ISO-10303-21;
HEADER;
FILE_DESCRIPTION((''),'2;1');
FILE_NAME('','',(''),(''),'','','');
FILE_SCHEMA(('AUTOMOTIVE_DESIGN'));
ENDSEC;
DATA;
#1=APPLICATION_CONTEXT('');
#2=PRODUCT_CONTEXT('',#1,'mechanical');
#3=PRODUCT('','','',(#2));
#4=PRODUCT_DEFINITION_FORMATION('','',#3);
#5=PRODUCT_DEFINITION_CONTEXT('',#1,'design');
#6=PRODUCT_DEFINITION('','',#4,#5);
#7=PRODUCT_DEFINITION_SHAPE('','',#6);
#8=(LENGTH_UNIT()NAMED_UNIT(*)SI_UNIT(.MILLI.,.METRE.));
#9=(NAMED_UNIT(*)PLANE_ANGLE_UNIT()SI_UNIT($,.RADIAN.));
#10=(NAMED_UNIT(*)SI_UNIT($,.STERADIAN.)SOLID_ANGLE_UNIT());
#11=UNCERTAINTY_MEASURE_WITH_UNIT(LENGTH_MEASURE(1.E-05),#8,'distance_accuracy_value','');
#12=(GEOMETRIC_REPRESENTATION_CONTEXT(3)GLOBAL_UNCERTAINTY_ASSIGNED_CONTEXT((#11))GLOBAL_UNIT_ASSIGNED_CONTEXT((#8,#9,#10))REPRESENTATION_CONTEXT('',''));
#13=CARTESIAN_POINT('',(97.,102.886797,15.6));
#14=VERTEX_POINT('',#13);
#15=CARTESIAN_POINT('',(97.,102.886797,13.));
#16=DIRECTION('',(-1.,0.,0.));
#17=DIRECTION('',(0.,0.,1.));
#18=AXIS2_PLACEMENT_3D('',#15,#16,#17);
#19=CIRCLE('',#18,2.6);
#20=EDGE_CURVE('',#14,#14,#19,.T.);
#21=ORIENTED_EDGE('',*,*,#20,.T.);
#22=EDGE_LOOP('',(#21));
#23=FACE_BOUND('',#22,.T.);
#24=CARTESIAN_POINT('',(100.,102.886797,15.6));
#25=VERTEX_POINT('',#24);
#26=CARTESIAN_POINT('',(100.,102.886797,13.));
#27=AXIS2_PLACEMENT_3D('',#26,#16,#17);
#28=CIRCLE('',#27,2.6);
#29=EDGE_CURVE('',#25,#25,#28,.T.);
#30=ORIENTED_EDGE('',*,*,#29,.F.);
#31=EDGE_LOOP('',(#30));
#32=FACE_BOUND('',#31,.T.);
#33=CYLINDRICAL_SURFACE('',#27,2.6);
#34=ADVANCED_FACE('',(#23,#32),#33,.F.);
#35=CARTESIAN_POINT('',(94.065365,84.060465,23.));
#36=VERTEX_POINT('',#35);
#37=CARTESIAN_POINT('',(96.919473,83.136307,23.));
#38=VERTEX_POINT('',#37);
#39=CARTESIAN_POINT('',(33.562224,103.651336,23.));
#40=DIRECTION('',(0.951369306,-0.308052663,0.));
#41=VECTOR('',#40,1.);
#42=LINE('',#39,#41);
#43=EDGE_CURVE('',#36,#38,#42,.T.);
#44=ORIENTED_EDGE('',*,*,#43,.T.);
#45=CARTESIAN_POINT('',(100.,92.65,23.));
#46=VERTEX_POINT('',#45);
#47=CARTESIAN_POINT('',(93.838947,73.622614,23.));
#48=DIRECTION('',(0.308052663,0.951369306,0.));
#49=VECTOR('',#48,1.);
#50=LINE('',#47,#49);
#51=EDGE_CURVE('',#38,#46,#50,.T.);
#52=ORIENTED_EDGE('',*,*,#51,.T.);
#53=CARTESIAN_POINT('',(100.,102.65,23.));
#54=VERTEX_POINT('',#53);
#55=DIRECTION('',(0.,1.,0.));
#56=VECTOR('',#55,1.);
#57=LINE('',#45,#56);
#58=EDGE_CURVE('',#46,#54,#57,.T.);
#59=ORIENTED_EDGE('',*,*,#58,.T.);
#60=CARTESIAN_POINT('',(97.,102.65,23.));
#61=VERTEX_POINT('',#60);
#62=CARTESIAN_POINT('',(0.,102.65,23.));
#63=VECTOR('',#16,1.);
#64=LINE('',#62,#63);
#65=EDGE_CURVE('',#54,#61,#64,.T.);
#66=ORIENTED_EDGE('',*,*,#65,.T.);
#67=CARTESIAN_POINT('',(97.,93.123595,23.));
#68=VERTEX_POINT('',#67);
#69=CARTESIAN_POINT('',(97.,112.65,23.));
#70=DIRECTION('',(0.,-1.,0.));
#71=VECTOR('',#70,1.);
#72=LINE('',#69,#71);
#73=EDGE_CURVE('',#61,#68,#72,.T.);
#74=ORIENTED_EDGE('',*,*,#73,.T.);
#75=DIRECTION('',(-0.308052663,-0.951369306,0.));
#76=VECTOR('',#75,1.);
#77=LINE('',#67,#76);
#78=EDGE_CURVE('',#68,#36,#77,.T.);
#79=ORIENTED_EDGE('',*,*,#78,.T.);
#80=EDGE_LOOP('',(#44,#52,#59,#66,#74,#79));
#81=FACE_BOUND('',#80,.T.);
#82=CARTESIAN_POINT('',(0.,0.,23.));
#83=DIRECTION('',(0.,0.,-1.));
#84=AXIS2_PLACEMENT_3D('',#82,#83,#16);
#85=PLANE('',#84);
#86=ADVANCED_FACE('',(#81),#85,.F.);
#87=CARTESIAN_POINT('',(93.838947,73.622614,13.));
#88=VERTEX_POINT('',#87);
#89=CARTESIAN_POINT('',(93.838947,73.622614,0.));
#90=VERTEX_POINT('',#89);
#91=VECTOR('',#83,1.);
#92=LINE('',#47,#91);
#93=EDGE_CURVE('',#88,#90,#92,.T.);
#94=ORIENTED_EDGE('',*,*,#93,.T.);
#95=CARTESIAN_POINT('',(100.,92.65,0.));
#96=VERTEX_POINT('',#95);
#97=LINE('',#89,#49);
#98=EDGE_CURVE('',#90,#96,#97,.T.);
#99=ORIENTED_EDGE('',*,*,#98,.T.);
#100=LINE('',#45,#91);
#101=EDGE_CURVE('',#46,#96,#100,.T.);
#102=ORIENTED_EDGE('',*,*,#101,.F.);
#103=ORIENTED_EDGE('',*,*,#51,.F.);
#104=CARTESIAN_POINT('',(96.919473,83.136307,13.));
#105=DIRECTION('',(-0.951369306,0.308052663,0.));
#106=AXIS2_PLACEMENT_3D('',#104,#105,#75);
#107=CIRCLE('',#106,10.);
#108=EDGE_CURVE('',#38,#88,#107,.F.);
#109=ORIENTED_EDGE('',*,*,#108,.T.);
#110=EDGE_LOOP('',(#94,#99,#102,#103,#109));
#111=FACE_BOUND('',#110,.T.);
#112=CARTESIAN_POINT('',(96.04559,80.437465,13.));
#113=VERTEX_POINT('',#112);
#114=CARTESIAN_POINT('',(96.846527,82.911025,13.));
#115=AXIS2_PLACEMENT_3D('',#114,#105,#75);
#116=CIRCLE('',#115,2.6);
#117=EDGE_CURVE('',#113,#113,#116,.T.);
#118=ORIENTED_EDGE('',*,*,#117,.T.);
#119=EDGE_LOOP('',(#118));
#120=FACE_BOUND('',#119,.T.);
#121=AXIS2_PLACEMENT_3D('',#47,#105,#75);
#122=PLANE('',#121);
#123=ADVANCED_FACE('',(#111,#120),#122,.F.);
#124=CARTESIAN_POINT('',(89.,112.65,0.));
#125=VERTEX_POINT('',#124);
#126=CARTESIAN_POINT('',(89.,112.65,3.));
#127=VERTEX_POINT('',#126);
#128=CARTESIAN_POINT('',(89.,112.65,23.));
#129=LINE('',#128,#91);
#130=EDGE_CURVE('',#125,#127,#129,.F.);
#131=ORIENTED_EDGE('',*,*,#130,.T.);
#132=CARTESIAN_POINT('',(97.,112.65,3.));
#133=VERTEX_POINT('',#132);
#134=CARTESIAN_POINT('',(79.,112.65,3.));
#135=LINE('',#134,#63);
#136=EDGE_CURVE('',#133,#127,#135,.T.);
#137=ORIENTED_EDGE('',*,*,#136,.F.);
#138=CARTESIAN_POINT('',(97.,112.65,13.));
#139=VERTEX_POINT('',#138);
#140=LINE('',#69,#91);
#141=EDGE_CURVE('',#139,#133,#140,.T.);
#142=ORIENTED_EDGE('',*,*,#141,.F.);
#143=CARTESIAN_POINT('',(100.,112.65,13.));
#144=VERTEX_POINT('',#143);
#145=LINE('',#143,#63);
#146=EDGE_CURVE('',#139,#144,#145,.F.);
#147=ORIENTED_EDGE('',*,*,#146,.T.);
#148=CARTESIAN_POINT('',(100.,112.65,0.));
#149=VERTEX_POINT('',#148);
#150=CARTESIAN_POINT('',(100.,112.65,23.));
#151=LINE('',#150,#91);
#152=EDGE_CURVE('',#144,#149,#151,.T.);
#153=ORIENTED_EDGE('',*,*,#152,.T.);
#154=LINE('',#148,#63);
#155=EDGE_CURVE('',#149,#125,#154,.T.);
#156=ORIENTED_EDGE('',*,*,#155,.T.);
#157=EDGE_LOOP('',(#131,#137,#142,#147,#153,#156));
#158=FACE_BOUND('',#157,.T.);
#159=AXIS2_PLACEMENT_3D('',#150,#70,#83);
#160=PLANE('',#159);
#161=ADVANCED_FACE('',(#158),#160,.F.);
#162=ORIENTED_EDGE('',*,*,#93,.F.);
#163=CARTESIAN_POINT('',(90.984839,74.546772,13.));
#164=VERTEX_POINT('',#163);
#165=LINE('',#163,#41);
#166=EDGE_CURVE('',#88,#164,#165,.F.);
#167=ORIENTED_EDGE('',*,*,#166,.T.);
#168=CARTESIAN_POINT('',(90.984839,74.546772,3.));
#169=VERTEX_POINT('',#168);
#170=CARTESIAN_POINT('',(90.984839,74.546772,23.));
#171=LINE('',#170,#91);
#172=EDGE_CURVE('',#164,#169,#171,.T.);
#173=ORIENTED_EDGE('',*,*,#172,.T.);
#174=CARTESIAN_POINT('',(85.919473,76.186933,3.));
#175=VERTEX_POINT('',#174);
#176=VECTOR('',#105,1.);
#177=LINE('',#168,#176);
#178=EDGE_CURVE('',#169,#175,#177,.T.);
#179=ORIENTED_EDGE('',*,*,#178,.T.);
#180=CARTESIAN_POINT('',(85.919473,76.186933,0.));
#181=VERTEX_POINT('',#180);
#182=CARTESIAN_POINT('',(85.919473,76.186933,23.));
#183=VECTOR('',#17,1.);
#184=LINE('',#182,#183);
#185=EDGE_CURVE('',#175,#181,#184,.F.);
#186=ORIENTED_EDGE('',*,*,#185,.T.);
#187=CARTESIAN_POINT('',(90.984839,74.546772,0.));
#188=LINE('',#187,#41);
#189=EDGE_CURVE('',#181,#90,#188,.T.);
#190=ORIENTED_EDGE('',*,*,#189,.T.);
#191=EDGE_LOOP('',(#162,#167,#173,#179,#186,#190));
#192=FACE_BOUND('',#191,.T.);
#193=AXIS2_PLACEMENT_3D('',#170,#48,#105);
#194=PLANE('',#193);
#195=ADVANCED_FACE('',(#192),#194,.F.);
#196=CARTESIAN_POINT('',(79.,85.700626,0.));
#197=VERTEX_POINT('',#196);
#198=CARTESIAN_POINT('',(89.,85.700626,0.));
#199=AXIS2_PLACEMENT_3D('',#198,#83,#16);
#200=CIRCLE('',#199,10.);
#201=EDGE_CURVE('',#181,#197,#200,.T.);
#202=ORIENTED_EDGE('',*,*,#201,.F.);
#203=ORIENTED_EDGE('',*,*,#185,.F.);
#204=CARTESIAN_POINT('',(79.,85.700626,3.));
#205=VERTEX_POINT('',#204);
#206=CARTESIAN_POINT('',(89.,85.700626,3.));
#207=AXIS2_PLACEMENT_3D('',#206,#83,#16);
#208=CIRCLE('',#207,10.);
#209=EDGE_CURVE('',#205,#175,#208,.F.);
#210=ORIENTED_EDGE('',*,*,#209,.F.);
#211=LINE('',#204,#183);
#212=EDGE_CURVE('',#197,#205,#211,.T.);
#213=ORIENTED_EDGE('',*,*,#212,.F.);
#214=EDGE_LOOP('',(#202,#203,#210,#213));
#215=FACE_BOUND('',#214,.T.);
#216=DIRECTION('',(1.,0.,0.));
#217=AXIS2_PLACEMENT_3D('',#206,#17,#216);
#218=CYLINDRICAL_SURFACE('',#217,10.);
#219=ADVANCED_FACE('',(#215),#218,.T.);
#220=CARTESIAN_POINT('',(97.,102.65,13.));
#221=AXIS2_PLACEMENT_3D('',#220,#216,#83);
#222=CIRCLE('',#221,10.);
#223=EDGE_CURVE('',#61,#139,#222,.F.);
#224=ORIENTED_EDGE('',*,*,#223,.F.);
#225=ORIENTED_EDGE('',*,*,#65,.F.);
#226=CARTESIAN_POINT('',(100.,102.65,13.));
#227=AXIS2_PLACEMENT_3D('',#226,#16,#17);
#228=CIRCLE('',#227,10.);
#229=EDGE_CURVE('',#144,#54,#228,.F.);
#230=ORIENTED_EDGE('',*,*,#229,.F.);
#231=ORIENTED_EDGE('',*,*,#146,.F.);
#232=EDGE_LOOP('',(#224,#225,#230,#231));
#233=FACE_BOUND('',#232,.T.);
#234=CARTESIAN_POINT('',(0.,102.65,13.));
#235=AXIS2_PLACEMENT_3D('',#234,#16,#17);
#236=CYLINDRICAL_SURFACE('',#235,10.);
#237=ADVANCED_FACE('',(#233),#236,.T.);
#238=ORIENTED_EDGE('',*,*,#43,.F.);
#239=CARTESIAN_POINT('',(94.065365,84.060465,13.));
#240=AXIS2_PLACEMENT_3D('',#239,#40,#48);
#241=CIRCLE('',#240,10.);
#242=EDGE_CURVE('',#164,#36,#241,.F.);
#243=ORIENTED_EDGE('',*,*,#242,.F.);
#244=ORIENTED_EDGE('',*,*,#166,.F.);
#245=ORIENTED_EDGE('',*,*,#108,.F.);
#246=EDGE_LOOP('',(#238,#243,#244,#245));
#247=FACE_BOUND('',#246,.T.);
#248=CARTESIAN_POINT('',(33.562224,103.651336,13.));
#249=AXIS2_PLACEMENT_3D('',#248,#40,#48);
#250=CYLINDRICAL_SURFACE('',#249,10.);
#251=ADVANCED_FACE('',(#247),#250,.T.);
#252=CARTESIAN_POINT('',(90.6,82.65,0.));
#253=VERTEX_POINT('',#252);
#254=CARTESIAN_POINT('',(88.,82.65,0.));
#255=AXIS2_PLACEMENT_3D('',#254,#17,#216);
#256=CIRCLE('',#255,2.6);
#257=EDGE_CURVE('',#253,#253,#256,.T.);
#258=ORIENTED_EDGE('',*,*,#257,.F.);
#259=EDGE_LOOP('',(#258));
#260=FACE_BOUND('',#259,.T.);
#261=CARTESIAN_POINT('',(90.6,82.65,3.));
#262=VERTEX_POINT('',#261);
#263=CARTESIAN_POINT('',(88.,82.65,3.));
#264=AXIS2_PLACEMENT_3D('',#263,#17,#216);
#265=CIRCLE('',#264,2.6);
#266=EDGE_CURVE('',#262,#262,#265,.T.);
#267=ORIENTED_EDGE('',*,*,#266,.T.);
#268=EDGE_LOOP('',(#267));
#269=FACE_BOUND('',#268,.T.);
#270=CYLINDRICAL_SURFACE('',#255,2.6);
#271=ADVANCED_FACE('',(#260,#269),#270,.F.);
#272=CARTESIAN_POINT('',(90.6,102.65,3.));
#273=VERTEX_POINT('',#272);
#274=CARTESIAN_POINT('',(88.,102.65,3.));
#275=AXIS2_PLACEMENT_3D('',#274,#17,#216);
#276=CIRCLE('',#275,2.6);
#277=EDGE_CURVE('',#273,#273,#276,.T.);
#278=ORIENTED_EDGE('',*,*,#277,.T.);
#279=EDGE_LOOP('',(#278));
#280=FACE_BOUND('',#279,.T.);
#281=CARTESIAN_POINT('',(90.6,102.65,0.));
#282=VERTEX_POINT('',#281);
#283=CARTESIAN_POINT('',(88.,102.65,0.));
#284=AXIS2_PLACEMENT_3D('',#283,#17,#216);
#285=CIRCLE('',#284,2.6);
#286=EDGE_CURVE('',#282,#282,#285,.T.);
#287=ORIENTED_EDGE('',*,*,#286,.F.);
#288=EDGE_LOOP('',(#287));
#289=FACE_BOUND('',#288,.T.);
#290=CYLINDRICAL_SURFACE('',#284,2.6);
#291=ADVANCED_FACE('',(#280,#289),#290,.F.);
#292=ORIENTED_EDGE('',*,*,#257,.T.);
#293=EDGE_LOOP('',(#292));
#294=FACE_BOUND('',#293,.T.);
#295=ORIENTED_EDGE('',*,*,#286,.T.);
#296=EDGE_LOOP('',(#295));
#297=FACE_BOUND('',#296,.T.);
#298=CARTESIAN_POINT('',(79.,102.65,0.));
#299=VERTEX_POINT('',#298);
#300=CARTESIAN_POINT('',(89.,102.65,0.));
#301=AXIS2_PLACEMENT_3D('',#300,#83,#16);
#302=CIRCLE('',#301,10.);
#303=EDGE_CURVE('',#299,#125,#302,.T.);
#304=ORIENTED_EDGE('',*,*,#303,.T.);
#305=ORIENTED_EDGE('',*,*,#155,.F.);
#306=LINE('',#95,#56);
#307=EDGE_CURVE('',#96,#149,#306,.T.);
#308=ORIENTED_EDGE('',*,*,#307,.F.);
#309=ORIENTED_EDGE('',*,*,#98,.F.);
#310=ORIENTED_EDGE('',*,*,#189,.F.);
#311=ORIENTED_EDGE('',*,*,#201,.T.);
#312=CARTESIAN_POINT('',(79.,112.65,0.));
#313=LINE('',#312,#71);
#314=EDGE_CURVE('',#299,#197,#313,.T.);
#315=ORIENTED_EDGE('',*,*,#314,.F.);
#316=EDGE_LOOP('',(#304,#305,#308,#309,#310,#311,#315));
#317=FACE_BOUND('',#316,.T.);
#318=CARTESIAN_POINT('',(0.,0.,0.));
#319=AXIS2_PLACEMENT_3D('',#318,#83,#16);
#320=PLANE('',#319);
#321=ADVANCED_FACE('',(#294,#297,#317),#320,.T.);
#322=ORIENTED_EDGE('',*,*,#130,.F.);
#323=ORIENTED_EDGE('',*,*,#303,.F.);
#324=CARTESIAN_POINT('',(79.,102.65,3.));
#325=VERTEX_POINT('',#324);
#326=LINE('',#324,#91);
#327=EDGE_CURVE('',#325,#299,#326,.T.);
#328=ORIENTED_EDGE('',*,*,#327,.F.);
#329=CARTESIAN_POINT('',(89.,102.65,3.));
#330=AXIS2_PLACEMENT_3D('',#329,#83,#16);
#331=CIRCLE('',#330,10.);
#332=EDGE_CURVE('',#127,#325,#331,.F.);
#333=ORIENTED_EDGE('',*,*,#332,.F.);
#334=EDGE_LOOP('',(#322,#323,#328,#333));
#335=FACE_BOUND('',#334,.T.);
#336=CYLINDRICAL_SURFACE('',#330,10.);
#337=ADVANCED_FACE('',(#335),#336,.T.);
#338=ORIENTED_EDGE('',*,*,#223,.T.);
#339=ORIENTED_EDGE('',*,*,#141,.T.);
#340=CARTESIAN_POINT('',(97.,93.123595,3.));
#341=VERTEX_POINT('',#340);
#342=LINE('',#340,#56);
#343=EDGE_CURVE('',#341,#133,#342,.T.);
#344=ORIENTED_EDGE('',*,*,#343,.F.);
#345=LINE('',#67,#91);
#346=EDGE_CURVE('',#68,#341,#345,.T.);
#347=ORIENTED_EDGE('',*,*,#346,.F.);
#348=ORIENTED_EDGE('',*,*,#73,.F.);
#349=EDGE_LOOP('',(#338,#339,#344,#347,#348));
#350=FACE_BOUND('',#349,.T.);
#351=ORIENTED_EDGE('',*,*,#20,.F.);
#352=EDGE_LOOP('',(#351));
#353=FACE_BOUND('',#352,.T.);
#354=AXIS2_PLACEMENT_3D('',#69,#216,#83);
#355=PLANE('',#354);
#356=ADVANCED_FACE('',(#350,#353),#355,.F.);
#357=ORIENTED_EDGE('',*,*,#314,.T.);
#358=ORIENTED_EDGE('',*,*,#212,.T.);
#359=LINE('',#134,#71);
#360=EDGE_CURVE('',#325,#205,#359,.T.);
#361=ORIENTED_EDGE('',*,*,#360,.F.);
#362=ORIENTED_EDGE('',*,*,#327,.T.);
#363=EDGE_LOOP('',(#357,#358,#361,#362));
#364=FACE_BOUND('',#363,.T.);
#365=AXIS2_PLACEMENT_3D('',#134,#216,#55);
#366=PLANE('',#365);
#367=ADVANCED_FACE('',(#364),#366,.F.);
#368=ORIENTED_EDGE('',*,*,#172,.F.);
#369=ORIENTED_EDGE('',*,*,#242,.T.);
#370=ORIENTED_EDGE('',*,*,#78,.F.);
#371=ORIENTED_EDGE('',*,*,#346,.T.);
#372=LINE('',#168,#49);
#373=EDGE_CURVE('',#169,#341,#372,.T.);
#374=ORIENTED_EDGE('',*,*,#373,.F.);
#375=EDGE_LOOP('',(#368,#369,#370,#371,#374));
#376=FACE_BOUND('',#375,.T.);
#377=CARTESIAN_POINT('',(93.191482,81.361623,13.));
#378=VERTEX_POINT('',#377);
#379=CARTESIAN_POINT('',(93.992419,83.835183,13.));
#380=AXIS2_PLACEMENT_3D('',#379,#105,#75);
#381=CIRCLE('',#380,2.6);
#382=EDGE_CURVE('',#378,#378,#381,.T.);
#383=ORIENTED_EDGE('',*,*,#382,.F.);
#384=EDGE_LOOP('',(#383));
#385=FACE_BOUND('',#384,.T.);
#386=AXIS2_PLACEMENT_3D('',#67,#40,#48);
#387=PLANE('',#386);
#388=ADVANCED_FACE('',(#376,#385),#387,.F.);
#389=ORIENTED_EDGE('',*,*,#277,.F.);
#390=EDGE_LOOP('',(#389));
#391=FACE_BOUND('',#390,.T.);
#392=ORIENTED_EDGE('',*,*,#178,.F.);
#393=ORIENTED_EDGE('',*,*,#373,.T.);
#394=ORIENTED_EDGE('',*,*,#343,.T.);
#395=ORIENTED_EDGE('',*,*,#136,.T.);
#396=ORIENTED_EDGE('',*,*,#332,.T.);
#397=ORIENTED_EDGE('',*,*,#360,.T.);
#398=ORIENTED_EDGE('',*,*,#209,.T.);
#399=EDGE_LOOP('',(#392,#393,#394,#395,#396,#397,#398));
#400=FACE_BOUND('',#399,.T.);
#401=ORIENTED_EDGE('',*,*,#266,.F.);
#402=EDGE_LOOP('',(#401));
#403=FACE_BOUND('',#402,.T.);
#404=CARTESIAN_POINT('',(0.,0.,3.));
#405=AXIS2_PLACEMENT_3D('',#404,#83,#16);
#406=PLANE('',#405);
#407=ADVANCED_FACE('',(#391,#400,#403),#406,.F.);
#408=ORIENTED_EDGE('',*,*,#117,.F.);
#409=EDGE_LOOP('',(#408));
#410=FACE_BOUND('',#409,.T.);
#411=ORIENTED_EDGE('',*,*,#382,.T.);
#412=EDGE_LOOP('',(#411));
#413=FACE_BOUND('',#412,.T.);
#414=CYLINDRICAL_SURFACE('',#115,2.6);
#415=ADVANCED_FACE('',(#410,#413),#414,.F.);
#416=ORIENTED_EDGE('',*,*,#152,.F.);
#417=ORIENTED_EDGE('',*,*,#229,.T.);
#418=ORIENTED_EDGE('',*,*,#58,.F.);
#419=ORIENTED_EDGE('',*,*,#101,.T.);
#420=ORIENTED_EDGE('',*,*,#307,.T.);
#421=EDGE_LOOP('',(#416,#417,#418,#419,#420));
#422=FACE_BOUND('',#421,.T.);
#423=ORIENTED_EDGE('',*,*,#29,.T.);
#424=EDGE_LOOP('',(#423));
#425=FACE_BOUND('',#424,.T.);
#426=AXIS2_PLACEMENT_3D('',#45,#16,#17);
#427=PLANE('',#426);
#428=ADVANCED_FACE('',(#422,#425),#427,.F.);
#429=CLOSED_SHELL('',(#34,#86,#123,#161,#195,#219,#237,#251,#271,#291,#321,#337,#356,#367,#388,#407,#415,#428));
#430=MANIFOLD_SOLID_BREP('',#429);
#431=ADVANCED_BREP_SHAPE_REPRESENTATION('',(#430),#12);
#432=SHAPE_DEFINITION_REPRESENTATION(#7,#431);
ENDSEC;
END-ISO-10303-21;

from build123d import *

# Parameters (mm, degrees)
BOSS_EXTRU_1_DEPTH      = 23
BOSS_EXTRU_2_DEPTH      = 3
ENL_V_MAT_EXTRU_1_DEPTH = 3
ESQUISSE4_R             = 2.6
ENL_V_MAT_EXTRU_2_DEPTH = 3
ESQUISSE5_R             = 2.6
ENL_V_MAT_EXTRU_3_DEPTH = 3
ESQUISSE6_R             = 2.6
ENL_V_MAT_EXTRU_4_DEPTH = 3
CONG_1_R                = 10


with BuildPart() as part:
    # Esquisse1 → Boss.-Extru.1 (new body)
    with BuildSketch(Plane.XY):
        Polygon((100, 92.65), (100, 112.65), (97, 112.65), (97, 93.123594611), (90.984838829, 74.546771861), (93.838946748, 73.622613873), align=None)
    extrude(amount=BOSS_EXTRU_1_DEPTH)

    # Esquisse2 → Boss.-Extru.2 (add)
    with BuildSketch(Plane.XY):
        Polygon((90.984838829, 74.546771861), (79, 74.546771861), (79, 112.65), (97, 112.65), (97, 93.123594611), align=None)
    extrude(amount=BOSS_EXTRU_2_DEPTH)

    # Esquisse3 → Enlèv. mat.-Extru.1 (cut)
    with BuildSketch(Plane.XY.offset(3)):
        Polygon((90.984838829, 74.546771861), (79, 78.427453619), (79, 74.546771861), align=None)
    extrude(amount=-ENL_V_MAT_EXTRU_1_DEPTH, mode=Mode.SUBTRACT)

    # Esquisse4 → Enlèv. mat.-Extru.2 (cut)
    with BuildSketch(Plane.XY.offset(3)):
        with Locations((88, 102.65)):
            Circle(ESQUISSE4_R)
        with Locations((88, 82.65)):
            Circle(ESQUISSE4_R)
    extrude(amount=-ENL_V_MAT_EXTRU_2_DEPTH, mode=Mode.SUBTRACT)

    # Esquisse5 → Enlèv. mat.-Extru.3 (cut)
    with BuildSketch(Plane.ZY.offset(-97)):
        with Locations((13, 102.886797306)):
            Circle(ESQUISSE5_R)
    extrude(amount=-ENL_V_MAT_EXTRU_3_DEPTH, mode=Mode.SUBTRACT)

    # Esquisse6 → Enlèv. mat.-Extru.4 (cut)
    with BuildSketch(Plane(origin=(60.503141075, -19.590871368, 0), x_dir=(0, 0, 1), z_dir=(-0.9513693063481516, 0.30805266260598485, 0))):
        with Locations(Location((13, 108.712835188, 0), (0, 0, 270))):
            Circle(ESQUISSE6_R)
    extrude(amount=-ENL_V_MAT_EXTRU_4_DEPTH, mode=Mode.SUBTRACT)

    # Congé1
    cong_1_edges = [part.edges().sort_by_distance(p)[0] for p in [
        (98.5, 112.65, 23),
        (92.411892788, 74.084692867, 23),
        (79, 112.65, 1.5),
        (79, 78.427453619, 1.5),
    ]]
    fillet(cong_1_edges, radius=CONG_1_R)


solid = part.part
